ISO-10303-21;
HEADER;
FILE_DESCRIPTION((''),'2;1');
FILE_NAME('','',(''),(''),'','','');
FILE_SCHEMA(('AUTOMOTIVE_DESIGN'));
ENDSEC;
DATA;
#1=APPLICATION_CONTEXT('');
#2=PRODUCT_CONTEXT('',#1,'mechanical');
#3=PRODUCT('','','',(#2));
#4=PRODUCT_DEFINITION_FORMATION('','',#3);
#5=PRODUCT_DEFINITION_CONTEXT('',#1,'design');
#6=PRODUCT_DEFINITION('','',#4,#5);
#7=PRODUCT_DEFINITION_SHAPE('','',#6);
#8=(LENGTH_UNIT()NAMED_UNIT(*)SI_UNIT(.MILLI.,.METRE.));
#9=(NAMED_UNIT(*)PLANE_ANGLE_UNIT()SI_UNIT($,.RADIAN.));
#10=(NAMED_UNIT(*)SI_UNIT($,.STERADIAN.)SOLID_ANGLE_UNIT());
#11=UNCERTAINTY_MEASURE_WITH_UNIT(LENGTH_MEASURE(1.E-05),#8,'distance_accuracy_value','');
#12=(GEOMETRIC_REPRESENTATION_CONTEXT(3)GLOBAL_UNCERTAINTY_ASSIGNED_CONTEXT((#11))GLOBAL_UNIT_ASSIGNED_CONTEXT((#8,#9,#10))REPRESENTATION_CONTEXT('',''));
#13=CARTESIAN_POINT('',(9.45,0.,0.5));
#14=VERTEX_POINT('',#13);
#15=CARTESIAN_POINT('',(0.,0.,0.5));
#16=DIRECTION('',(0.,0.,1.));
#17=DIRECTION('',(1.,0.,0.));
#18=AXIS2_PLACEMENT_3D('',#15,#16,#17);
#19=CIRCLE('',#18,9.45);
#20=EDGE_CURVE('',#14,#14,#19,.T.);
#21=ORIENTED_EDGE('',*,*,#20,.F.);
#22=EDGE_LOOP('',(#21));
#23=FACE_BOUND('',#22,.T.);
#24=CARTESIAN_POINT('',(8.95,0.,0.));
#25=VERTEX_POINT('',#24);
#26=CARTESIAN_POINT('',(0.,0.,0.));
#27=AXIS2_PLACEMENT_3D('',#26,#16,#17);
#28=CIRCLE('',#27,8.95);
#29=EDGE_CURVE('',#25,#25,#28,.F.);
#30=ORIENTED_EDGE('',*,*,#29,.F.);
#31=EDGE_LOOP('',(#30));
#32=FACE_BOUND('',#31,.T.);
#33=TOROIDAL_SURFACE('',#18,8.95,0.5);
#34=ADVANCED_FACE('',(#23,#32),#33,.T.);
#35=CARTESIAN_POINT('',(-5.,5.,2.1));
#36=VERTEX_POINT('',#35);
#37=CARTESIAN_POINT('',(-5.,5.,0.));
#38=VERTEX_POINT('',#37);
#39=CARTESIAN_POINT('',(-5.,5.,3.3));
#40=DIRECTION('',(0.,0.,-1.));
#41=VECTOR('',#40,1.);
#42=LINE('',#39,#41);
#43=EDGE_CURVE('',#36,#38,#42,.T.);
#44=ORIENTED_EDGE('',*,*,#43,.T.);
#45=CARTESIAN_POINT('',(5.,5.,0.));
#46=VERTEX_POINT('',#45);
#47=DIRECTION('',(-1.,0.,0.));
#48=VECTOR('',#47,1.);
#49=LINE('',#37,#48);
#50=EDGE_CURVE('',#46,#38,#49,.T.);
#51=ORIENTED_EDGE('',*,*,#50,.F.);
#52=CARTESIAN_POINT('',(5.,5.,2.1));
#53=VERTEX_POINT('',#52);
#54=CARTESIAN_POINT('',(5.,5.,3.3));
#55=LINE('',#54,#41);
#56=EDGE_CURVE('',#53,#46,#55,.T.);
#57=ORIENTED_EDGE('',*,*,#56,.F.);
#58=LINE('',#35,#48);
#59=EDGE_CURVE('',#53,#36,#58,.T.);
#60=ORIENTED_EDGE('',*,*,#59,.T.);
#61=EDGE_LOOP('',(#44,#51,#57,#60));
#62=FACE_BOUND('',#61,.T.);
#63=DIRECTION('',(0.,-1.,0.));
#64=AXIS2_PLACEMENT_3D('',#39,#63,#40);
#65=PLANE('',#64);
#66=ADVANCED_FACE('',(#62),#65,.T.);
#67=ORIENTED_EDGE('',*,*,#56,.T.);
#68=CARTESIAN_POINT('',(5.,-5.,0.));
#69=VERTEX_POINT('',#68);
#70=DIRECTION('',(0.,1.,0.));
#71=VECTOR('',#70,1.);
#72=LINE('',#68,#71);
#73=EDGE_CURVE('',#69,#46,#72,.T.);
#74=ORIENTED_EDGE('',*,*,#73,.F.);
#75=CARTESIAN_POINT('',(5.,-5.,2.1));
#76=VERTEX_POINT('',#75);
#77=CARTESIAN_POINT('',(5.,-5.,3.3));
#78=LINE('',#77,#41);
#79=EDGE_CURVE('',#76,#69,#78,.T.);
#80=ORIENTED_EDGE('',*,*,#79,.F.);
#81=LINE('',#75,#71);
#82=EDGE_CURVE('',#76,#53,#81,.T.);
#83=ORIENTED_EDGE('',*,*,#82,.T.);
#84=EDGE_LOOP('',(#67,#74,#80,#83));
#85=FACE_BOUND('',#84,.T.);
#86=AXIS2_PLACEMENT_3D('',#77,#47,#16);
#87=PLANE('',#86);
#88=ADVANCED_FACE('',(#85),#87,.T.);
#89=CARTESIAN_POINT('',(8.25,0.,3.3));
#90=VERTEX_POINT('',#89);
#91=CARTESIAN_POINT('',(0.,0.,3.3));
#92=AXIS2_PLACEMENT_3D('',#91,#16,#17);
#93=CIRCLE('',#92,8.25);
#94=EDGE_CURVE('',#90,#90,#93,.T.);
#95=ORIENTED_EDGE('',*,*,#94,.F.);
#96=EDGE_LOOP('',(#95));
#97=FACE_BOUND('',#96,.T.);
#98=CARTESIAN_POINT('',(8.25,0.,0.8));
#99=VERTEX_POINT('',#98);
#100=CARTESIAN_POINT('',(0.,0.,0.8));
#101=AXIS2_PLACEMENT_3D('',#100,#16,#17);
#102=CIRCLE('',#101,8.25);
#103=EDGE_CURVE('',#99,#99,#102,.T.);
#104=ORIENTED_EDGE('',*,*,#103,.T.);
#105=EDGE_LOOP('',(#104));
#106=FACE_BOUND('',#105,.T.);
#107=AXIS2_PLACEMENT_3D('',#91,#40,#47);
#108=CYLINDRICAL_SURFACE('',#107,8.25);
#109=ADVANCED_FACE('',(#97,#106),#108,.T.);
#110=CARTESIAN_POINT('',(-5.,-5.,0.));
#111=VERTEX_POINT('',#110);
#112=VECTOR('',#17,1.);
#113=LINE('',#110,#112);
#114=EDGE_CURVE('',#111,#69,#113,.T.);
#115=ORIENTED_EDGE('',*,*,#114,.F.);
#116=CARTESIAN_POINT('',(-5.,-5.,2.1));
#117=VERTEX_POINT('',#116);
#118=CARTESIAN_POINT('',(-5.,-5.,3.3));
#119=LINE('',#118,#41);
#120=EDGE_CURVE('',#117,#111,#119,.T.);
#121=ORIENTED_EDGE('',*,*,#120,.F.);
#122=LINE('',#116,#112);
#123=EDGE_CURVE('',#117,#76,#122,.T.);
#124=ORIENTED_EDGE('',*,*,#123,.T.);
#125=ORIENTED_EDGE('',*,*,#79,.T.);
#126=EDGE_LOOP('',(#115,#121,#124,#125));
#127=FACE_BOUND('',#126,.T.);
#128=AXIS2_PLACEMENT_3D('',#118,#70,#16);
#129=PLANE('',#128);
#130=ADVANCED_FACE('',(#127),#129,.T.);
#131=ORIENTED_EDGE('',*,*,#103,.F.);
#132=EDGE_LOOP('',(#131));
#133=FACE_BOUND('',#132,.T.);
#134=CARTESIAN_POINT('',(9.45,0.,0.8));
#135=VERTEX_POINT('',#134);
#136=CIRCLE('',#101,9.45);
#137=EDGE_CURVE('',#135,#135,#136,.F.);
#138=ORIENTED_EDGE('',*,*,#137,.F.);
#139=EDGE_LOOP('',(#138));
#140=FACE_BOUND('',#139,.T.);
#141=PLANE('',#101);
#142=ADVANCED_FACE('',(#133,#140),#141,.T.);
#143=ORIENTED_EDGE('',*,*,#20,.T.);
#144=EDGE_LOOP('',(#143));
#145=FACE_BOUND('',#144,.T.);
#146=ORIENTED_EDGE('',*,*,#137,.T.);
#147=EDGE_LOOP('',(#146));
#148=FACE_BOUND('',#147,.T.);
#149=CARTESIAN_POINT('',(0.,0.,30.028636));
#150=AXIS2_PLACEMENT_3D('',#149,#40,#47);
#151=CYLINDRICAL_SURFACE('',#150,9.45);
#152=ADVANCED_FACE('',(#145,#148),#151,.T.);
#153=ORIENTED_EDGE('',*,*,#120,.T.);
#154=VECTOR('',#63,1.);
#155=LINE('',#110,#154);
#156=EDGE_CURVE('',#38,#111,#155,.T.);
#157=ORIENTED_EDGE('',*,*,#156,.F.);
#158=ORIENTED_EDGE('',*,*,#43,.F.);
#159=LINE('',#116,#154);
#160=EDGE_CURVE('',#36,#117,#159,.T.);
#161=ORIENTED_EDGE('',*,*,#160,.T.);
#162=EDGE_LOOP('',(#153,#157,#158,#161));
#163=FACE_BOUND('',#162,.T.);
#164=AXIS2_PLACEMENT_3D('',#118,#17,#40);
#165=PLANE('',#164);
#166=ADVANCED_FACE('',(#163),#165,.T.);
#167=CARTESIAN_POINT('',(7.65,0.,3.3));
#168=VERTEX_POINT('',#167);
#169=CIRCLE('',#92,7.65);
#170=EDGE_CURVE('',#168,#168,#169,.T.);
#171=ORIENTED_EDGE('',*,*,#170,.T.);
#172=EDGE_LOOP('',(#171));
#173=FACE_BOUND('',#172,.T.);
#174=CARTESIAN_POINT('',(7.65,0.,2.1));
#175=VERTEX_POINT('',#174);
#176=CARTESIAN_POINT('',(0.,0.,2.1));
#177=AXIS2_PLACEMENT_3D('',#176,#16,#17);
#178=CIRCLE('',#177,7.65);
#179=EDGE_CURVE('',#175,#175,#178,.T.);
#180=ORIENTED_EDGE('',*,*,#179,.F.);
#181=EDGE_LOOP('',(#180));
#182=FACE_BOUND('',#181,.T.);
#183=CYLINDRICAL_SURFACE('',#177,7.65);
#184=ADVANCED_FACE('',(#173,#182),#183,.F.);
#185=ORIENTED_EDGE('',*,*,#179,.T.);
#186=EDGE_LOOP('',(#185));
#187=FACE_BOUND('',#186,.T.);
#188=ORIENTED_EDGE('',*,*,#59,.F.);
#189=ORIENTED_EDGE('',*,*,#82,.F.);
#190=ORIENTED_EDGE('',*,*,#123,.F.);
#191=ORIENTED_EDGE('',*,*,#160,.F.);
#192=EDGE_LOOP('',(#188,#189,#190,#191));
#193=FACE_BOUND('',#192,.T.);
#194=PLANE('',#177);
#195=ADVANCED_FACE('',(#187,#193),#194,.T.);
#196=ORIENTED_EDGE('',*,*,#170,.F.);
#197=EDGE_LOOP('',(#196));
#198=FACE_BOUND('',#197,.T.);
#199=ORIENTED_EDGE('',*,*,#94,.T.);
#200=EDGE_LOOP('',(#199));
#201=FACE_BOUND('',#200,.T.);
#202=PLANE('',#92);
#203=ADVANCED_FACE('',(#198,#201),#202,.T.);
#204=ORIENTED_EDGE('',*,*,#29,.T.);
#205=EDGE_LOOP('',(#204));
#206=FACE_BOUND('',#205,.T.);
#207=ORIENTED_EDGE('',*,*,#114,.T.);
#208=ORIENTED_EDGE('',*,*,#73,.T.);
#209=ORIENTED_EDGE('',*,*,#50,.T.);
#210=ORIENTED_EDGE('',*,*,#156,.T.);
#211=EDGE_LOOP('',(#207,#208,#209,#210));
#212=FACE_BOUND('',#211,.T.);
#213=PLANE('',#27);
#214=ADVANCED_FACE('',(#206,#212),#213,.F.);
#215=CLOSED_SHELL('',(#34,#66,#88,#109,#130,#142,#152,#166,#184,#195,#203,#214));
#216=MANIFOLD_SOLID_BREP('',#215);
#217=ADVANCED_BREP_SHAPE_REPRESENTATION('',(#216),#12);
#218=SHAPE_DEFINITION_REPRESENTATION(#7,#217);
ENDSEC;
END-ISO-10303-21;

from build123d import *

# Parameters (mm, degrees)
SKETCH2_R           = 8.25
SKETCH2_W           = 10
SKETCH2_H           = 10
BOSS_EXTRUDE1_DEPTH = 3.3
SKETCH3_R           = 9.45
SKETCH3_W           = 10
SKETCH3_H           = 10
BOSS_EXTRUDE2_DEPTH = 0.8
SKETCH4_R           = 7.65
CUT_EXTRUDE1_DEPTH  = 1.2
FILLET1_R           = 0.5


with BuildPart() as part:
    # Sketch2 → Boss-Extrude1 (new body)
    with BuildSketch(Plane.XY):
        Circle(SKETCH2_R)
        Rectangle(SKETCH2_W, SKETCH2_H, mode=Mode.SUBTRACT)
    extrude(amount=BOSS_EXTRUDE1_DEPTH)

    # Sketch3 → Boss-Extrude2 (add)
    with BuildSketch(Plane(origin=(0, 0, 0), x_dir=(-1, 0, 0), z_dir=(0, 0, -1))):
        Circle(SKETCH3_R)
        Rectangle(SKETCH3_W, SKETCH3_H, mode=Mode.SUBTRACT)
    extrude(amount=-BOSS_EXTRUDE2_DEPTH)

    # Sketch4 → Cut-Extrude1 (cut)
    with BuildSketch(Plane.XY.offset(3.3)):
        Circle(SKETCH4_R)
    extrude(amount=-CUT_EXTRUDE1_DEPTH, mode=Mode.SUBTRACT)

    # Fillet1
    fillet1_edges = [part.edges().sort_by_distance(p)[0] for p in [
        (9.45, 0, 0),
    ]]
    fillet(fillet1_edges, radius=FILLET1_R)


solid = part.part
